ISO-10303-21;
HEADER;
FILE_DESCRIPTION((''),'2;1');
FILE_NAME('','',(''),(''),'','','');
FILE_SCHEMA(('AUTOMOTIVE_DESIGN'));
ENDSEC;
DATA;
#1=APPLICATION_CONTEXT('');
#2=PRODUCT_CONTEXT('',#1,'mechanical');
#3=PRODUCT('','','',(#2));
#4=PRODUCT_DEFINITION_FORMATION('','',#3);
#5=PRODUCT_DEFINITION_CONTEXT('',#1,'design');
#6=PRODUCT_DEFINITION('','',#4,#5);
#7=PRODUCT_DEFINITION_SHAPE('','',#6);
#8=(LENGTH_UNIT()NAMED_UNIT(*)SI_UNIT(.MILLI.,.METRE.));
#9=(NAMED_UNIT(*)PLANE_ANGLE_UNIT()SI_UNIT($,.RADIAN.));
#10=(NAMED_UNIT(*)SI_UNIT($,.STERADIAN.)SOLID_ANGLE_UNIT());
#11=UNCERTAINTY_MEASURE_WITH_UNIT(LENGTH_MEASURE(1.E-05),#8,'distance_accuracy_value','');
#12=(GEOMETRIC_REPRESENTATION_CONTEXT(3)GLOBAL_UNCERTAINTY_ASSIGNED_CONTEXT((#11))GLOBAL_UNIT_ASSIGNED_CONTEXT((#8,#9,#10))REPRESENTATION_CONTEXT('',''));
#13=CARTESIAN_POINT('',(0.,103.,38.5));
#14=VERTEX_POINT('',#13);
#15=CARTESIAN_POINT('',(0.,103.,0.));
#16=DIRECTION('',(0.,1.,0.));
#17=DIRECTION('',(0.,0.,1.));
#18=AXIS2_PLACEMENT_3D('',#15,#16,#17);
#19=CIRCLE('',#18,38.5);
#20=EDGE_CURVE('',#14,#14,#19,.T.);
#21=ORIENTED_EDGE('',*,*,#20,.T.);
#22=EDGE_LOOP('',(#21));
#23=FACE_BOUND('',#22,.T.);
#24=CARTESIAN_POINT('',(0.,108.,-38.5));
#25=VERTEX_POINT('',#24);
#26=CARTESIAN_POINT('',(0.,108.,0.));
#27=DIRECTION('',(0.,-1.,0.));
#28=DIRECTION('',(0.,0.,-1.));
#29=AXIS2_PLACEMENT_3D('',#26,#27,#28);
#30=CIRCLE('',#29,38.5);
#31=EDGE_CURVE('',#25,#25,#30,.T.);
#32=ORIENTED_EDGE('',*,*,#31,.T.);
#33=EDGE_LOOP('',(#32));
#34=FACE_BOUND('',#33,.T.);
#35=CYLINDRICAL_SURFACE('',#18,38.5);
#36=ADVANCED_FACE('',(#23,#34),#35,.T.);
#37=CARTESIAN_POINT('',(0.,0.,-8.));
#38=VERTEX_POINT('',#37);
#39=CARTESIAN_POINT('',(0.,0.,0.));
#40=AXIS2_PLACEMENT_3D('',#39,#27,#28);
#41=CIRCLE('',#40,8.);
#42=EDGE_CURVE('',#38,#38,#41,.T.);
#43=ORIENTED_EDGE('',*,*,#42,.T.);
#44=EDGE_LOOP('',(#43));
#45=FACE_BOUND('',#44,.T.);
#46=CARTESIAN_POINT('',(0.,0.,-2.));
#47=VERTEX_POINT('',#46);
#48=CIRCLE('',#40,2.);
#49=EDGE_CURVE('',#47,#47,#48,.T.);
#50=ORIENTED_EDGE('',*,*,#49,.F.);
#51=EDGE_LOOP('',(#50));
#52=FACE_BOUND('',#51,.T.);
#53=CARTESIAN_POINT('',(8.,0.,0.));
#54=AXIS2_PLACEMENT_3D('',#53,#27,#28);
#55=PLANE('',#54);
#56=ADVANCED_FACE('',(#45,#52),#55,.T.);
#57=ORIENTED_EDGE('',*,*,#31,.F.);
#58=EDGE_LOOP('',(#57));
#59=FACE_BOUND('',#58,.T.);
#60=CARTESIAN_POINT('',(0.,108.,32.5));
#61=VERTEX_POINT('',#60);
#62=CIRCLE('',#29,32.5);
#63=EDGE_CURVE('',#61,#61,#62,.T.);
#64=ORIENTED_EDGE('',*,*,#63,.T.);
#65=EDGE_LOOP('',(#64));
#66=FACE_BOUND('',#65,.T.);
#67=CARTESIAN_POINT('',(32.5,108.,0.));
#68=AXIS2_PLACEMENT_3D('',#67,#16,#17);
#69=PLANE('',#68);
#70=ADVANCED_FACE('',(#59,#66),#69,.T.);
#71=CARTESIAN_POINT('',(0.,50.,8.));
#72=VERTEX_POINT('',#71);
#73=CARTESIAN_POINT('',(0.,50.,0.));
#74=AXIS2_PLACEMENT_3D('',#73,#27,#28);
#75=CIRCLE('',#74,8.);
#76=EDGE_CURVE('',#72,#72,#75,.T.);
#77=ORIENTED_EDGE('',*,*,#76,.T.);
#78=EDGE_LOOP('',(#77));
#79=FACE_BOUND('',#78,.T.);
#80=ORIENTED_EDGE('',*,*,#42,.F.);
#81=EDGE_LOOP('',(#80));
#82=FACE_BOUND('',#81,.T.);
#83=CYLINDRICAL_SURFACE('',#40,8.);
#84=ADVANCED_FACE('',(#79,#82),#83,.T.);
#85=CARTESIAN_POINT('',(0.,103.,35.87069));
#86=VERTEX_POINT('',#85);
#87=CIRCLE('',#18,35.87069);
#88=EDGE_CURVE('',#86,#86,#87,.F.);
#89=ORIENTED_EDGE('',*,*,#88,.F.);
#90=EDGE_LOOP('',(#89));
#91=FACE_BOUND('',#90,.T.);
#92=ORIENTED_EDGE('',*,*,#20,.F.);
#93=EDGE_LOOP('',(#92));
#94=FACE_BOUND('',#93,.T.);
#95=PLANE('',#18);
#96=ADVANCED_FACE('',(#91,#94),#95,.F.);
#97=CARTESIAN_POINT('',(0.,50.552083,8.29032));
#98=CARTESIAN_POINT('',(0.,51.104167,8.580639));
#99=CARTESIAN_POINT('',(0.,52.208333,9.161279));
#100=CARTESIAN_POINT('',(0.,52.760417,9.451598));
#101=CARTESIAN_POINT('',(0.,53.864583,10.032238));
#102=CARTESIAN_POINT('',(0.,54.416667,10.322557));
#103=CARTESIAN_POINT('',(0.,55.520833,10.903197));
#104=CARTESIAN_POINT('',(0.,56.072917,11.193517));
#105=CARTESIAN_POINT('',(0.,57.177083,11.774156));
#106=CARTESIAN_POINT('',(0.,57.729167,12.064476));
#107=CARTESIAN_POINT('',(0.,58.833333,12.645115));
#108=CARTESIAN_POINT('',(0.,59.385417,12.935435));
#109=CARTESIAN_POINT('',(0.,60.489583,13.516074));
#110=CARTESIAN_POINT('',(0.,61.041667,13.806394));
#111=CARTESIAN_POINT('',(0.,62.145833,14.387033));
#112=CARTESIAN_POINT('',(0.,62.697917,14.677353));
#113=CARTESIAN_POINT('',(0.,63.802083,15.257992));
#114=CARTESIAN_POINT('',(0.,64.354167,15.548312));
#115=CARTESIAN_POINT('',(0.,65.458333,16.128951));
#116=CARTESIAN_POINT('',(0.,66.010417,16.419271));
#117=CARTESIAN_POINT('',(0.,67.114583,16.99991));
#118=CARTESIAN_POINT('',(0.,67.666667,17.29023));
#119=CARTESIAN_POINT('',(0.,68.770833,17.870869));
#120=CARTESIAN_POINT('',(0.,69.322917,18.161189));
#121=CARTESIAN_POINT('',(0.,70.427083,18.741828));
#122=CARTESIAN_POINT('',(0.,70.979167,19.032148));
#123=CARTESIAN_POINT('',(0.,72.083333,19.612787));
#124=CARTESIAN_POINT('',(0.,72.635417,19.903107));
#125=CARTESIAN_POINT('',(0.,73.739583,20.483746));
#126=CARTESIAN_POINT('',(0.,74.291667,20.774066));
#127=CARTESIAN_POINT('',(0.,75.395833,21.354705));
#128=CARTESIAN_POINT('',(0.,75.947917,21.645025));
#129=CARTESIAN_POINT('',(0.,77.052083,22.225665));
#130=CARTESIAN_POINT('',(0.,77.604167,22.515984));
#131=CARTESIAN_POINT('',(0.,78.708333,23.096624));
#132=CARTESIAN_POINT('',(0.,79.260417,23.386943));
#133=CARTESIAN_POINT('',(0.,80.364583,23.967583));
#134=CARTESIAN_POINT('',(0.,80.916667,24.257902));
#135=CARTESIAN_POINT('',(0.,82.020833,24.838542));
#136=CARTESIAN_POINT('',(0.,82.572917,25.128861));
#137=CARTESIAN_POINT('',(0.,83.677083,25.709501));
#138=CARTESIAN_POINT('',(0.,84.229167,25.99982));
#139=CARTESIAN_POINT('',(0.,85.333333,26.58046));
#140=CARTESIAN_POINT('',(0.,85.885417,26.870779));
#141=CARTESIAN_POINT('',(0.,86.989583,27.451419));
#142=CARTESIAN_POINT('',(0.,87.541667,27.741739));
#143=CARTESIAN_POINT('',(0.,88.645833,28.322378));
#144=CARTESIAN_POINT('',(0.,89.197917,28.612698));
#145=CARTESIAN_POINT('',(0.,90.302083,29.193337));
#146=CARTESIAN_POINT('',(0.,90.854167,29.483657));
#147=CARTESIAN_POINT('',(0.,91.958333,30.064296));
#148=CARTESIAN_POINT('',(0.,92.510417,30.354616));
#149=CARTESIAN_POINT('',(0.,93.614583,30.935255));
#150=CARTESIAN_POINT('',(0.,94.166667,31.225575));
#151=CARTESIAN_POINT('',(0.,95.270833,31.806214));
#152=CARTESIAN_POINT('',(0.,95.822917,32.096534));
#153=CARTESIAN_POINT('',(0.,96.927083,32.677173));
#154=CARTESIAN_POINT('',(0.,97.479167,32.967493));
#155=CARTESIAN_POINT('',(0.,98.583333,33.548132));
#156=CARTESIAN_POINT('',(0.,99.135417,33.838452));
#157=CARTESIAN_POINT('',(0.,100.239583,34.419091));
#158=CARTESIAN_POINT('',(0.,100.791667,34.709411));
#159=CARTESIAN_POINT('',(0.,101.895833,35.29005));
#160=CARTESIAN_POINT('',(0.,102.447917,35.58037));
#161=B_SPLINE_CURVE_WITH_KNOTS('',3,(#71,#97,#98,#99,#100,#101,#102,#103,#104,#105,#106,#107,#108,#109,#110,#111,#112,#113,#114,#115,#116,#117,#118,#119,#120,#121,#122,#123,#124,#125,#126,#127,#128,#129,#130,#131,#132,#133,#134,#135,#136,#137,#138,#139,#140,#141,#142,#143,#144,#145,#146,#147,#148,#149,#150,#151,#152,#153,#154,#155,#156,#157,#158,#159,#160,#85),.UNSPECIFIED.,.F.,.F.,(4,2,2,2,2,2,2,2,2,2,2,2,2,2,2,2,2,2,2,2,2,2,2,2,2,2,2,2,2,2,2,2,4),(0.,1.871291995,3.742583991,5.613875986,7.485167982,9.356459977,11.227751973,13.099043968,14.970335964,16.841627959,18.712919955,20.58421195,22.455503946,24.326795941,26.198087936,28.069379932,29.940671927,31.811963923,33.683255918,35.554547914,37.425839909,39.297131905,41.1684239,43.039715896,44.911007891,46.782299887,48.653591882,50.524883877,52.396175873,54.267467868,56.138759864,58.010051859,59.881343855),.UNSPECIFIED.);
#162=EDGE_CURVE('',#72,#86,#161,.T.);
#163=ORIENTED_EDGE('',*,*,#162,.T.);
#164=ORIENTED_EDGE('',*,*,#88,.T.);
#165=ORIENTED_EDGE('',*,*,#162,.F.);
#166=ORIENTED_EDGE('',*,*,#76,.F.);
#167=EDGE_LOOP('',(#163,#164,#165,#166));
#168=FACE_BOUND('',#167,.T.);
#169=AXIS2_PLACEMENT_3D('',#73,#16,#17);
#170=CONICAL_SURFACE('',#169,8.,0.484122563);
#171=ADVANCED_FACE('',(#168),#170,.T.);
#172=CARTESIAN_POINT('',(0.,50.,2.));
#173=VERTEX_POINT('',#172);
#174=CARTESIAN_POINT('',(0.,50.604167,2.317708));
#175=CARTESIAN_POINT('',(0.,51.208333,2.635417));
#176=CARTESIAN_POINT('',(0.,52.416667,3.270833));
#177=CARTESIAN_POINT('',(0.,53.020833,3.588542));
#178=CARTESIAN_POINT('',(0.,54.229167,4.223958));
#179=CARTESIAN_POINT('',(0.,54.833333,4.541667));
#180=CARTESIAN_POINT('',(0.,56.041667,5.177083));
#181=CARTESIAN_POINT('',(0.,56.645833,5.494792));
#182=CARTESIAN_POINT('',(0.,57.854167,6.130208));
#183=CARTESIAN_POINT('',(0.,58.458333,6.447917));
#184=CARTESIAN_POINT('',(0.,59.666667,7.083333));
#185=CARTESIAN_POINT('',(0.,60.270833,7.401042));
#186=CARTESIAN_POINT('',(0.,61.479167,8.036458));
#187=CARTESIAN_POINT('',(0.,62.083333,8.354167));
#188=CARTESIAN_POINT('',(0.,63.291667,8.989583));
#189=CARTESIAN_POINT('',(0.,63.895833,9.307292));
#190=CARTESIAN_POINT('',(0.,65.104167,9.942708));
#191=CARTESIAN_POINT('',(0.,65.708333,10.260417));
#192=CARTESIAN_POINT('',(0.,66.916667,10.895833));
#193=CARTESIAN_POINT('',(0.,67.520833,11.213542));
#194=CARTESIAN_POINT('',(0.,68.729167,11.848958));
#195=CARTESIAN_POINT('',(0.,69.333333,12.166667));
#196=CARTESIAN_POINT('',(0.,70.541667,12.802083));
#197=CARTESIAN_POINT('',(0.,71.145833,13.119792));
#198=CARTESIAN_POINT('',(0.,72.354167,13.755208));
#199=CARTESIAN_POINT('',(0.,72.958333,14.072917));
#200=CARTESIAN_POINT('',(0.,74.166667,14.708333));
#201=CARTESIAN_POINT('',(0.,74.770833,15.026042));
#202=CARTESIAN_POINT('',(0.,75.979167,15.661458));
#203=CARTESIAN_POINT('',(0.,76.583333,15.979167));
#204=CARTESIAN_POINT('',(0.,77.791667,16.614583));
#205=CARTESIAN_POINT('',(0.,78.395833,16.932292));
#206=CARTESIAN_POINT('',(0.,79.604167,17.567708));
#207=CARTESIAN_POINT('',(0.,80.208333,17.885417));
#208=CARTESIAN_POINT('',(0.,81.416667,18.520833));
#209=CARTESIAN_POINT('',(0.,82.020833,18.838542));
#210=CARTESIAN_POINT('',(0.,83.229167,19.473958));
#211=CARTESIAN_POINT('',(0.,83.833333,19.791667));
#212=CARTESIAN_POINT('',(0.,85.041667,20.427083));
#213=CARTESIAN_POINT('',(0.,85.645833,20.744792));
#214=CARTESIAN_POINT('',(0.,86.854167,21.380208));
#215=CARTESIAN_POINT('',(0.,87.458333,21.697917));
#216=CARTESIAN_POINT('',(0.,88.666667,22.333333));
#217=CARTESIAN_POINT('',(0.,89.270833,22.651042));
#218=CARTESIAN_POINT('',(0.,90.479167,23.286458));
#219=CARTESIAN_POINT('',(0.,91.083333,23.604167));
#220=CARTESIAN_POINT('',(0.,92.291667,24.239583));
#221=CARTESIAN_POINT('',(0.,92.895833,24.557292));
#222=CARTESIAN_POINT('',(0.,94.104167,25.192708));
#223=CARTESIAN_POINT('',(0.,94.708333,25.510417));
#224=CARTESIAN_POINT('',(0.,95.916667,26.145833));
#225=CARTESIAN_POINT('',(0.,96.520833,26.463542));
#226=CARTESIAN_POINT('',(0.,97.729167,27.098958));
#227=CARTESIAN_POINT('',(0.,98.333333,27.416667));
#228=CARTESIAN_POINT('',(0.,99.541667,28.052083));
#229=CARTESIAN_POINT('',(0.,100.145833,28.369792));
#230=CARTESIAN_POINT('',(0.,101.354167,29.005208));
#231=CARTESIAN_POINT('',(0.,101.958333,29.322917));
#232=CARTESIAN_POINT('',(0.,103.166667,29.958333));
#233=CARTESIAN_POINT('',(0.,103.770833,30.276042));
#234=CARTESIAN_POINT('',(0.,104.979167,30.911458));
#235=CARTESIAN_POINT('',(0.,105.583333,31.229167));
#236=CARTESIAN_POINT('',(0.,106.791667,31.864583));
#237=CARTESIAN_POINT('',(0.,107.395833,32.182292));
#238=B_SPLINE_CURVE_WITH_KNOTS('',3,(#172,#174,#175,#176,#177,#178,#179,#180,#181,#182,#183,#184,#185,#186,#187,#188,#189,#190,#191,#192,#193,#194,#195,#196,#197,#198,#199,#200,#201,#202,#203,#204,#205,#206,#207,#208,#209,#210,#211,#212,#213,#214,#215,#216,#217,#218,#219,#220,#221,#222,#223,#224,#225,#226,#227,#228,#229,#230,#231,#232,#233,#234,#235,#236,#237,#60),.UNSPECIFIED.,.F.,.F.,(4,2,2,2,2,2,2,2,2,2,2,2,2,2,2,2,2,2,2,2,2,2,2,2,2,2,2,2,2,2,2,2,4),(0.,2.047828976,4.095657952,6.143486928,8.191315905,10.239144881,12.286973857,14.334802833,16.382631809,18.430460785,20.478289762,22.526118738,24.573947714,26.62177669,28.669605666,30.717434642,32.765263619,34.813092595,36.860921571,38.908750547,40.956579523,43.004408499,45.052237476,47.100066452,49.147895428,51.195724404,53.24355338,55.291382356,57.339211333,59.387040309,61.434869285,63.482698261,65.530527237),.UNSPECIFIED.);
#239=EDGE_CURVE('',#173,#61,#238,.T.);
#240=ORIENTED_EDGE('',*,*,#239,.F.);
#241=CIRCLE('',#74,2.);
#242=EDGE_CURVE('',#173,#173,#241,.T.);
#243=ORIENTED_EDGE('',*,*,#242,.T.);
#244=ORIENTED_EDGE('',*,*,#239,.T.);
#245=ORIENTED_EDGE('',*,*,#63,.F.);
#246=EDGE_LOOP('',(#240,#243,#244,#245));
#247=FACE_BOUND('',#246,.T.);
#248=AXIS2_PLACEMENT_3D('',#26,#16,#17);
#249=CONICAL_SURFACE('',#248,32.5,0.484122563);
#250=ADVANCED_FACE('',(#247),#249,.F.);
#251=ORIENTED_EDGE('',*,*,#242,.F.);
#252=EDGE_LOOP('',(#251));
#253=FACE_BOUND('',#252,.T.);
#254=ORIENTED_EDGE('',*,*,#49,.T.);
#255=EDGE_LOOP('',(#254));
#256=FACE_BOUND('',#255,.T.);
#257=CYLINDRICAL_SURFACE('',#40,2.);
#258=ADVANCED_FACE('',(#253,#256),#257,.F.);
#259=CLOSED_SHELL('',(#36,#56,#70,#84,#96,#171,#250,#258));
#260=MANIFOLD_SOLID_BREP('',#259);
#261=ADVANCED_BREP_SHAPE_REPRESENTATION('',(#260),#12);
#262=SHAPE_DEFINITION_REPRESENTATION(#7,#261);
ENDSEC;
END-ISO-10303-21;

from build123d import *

# Parameters (mm, degrees)
SKETCH2_R           = 38.5
SKETCH2_R_2         = 32.5
BOSS_EXTRUDE1_DEPTH = 5


with BuildPart() as part:
    # Sketch1 → Revolve1 (revolve)
    with BuildSketch(Plane.XY, mode=Mode.PRIVATE) as revolve1_sk:
        Polygon((2, 0), (2, 50), (32.5, 108), (38.5, 108), (8, 50), (8, 0), align=None)
    revolve(revolve1_sk.sketch.rotate(Axis((0, 0, 0), (0, 1, 0)), 90), axis=Axis((0, 0, 0), (0, 1, 0)))

    # Sketch2 → Boss-Extrude1 (add)
    with BuildSketch(Plane(origin=(0, 108, 0), x_dir=(1, 0, 0), z_dir=(0, 1, 0))):
        with Locations(Location((0, 0, 0), (0, 0, 270))):
            Circle(SKETCH2_R)
        Circle(SKETCH2_R_2, mode=Mode.SUBTRACT)
    extrude(amount=-BOSS_EXTRUDE1_DEPTH)


solid = part.part
